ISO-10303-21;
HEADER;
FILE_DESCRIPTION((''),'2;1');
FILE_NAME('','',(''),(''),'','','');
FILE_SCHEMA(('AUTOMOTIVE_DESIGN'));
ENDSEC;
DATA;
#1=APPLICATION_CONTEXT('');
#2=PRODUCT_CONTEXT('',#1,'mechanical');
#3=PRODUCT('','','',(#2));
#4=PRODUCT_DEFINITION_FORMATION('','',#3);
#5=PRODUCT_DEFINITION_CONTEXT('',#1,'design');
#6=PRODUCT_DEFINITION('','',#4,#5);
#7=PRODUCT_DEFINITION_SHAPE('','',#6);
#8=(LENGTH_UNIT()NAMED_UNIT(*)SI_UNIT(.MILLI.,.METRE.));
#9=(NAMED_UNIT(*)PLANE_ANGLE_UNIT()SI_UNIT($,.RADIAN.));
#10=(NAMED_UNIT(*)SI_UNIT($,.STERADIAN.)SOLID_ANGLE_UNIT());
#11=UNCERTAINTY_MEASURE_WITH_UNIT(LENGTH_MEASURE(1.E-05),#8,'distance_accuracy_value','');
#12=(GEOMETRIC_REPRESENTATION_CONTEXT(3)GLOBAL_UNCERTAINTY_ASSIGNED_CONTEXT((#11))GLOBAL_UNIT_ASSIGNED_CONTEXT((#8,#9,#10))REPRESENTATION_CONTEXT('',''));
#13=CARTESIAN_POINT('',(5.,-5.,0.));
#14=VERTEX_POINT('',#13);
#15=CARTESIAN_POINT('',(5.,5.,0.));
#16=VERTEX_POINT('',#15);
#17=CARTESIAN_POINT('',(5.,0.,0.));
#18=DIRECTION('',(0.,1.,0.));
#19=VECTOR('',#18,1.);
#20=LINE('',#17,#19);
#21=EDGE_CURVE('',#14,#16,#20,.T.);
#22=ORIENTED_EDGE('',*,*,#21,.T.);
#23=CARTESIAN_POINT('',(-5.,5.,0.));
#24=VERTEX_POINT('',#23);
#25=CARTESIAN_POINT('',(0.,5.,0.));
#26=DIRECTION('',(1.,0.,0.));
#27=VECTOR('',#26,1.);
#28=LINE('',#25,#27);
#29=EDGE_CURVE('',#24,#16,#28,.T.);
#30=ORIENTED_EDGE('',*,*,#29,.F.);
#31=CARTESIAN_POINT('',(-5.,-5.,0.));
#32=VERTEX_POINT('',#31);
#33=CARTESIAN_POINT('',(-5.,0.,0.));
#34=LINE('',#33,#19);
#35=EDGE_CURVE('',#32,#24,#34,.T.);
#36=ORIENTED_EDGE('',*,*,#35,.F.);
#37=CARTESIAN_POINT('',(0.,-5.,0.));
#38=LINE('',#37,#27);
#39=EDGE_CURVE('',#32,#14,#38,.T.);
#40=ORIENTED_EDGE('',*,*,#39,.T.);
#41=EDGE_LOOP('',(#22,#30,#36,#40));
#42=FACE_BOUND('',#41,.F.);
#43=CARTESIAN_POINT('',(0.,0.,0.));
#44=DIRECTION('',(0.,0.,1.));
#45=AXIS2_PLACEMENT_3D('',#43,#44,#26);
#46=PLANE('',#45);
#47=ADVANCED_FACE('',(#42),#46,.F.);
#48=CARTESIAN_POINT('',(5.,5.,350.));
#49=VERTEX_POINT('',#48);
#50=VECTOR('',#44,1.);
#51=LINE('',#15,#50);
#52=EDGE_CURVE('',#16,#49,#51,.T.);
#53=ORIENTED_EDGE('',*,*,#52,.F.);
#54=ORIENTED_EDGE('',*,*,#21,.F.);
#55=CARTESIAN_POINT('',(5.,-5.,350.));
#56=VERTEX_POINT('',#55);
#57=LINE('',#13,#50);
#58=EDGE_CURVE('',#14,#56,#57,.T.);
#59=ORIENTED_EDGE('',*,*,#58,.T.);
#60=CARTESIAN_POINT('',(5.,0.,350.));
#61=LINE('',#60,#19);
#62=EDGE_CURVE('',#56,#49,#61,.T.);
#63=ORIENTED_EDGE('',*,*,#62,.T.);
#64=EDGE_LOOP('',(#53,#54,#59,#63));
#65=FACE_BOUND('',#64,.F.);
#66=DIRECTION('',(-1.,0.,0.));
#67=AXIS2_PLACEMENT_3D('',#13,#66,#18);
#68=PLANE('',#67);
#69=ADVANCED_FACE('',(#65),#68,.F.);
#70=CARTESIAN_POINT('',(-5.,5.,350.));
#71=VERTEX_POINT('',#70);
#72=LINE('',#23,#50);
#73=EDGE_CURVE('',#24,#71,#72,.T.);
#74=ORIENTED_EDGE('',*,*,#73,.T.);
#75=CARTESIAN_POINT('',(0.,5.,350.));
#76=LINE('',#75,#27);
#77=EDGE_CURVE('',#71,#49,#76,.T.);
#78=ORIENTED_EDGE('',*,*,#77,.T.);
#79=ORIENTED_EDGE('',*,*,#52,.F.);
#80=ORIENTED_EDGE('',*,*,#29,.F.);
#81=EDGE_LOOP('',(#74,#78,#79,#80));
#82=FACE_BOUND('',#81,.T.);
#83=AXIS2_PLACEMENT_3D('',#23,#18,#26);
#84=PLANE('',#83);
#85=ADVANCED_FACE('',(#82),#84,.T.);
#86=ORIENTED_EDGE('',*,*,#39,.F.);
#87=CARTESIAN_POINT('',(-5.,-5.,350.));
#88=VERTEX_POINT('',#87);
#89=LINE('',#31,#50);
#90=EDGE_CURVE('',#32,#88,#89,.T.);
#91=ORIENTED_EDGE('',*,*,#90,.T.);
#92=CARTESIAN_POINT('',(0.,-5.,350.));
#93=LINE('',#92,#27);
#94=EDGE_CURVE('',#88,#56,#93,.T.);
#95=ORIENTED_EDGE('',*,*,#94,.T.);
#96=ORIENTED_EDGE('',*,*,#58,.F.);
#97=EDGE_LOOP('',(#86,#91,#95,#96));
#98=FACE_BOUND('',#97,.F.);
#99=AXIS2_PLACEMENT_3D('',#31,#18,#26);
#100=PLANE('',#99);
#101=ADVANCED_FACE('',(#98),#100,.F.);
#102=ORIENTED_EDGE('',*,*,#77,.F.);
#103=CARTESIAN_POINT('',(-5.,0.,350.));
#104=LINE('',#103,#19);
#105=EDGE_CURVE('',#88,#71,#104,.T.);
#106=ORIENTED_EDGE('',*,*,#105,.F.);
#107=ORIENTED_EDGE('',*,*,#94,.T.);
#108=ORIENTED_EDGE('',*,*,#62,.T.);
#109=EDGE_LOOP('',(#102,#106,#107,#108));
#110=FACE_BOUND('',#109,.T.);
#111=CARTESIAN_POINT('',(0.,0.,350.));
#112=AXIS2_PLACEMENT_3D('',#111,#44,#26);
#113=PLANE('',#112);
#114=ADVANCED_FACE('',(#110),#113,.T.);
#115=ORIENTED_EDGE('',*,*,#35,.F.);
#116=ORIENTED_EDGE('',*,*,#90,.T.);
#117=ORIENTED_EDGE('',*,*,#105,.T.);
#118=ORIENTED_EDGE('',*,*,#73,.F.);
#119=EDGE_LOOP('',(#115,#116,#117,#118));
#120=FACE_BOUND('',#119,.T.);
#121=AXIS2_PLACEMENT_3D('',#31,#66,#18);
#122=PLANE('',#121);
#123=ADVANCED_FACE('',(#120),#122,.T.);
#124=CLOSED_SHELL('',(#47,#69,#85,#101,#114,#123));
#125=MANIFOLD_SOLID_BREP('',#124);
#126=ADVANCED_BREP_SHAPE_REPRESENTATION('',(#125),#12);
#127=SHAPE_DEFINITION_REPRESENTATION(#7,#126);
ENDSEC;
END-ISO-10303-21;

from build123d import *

# Parameters (mm, degrees)
SKETCH2_W           = 10
SKETCH2_H           = 10
BOSS_EXTRUDE1_DEPTH = 350


with BuildPart() as part:
    # Sketch2 → Boss-Extrude1 (new body)
    with BuildSketch(Plane.XY):
        Rectangle(SKETCH2_W, SKETCH2_H)
    extrude(amount=BOSS_EXTRUDE1_DEPTH)


solid = part.part
